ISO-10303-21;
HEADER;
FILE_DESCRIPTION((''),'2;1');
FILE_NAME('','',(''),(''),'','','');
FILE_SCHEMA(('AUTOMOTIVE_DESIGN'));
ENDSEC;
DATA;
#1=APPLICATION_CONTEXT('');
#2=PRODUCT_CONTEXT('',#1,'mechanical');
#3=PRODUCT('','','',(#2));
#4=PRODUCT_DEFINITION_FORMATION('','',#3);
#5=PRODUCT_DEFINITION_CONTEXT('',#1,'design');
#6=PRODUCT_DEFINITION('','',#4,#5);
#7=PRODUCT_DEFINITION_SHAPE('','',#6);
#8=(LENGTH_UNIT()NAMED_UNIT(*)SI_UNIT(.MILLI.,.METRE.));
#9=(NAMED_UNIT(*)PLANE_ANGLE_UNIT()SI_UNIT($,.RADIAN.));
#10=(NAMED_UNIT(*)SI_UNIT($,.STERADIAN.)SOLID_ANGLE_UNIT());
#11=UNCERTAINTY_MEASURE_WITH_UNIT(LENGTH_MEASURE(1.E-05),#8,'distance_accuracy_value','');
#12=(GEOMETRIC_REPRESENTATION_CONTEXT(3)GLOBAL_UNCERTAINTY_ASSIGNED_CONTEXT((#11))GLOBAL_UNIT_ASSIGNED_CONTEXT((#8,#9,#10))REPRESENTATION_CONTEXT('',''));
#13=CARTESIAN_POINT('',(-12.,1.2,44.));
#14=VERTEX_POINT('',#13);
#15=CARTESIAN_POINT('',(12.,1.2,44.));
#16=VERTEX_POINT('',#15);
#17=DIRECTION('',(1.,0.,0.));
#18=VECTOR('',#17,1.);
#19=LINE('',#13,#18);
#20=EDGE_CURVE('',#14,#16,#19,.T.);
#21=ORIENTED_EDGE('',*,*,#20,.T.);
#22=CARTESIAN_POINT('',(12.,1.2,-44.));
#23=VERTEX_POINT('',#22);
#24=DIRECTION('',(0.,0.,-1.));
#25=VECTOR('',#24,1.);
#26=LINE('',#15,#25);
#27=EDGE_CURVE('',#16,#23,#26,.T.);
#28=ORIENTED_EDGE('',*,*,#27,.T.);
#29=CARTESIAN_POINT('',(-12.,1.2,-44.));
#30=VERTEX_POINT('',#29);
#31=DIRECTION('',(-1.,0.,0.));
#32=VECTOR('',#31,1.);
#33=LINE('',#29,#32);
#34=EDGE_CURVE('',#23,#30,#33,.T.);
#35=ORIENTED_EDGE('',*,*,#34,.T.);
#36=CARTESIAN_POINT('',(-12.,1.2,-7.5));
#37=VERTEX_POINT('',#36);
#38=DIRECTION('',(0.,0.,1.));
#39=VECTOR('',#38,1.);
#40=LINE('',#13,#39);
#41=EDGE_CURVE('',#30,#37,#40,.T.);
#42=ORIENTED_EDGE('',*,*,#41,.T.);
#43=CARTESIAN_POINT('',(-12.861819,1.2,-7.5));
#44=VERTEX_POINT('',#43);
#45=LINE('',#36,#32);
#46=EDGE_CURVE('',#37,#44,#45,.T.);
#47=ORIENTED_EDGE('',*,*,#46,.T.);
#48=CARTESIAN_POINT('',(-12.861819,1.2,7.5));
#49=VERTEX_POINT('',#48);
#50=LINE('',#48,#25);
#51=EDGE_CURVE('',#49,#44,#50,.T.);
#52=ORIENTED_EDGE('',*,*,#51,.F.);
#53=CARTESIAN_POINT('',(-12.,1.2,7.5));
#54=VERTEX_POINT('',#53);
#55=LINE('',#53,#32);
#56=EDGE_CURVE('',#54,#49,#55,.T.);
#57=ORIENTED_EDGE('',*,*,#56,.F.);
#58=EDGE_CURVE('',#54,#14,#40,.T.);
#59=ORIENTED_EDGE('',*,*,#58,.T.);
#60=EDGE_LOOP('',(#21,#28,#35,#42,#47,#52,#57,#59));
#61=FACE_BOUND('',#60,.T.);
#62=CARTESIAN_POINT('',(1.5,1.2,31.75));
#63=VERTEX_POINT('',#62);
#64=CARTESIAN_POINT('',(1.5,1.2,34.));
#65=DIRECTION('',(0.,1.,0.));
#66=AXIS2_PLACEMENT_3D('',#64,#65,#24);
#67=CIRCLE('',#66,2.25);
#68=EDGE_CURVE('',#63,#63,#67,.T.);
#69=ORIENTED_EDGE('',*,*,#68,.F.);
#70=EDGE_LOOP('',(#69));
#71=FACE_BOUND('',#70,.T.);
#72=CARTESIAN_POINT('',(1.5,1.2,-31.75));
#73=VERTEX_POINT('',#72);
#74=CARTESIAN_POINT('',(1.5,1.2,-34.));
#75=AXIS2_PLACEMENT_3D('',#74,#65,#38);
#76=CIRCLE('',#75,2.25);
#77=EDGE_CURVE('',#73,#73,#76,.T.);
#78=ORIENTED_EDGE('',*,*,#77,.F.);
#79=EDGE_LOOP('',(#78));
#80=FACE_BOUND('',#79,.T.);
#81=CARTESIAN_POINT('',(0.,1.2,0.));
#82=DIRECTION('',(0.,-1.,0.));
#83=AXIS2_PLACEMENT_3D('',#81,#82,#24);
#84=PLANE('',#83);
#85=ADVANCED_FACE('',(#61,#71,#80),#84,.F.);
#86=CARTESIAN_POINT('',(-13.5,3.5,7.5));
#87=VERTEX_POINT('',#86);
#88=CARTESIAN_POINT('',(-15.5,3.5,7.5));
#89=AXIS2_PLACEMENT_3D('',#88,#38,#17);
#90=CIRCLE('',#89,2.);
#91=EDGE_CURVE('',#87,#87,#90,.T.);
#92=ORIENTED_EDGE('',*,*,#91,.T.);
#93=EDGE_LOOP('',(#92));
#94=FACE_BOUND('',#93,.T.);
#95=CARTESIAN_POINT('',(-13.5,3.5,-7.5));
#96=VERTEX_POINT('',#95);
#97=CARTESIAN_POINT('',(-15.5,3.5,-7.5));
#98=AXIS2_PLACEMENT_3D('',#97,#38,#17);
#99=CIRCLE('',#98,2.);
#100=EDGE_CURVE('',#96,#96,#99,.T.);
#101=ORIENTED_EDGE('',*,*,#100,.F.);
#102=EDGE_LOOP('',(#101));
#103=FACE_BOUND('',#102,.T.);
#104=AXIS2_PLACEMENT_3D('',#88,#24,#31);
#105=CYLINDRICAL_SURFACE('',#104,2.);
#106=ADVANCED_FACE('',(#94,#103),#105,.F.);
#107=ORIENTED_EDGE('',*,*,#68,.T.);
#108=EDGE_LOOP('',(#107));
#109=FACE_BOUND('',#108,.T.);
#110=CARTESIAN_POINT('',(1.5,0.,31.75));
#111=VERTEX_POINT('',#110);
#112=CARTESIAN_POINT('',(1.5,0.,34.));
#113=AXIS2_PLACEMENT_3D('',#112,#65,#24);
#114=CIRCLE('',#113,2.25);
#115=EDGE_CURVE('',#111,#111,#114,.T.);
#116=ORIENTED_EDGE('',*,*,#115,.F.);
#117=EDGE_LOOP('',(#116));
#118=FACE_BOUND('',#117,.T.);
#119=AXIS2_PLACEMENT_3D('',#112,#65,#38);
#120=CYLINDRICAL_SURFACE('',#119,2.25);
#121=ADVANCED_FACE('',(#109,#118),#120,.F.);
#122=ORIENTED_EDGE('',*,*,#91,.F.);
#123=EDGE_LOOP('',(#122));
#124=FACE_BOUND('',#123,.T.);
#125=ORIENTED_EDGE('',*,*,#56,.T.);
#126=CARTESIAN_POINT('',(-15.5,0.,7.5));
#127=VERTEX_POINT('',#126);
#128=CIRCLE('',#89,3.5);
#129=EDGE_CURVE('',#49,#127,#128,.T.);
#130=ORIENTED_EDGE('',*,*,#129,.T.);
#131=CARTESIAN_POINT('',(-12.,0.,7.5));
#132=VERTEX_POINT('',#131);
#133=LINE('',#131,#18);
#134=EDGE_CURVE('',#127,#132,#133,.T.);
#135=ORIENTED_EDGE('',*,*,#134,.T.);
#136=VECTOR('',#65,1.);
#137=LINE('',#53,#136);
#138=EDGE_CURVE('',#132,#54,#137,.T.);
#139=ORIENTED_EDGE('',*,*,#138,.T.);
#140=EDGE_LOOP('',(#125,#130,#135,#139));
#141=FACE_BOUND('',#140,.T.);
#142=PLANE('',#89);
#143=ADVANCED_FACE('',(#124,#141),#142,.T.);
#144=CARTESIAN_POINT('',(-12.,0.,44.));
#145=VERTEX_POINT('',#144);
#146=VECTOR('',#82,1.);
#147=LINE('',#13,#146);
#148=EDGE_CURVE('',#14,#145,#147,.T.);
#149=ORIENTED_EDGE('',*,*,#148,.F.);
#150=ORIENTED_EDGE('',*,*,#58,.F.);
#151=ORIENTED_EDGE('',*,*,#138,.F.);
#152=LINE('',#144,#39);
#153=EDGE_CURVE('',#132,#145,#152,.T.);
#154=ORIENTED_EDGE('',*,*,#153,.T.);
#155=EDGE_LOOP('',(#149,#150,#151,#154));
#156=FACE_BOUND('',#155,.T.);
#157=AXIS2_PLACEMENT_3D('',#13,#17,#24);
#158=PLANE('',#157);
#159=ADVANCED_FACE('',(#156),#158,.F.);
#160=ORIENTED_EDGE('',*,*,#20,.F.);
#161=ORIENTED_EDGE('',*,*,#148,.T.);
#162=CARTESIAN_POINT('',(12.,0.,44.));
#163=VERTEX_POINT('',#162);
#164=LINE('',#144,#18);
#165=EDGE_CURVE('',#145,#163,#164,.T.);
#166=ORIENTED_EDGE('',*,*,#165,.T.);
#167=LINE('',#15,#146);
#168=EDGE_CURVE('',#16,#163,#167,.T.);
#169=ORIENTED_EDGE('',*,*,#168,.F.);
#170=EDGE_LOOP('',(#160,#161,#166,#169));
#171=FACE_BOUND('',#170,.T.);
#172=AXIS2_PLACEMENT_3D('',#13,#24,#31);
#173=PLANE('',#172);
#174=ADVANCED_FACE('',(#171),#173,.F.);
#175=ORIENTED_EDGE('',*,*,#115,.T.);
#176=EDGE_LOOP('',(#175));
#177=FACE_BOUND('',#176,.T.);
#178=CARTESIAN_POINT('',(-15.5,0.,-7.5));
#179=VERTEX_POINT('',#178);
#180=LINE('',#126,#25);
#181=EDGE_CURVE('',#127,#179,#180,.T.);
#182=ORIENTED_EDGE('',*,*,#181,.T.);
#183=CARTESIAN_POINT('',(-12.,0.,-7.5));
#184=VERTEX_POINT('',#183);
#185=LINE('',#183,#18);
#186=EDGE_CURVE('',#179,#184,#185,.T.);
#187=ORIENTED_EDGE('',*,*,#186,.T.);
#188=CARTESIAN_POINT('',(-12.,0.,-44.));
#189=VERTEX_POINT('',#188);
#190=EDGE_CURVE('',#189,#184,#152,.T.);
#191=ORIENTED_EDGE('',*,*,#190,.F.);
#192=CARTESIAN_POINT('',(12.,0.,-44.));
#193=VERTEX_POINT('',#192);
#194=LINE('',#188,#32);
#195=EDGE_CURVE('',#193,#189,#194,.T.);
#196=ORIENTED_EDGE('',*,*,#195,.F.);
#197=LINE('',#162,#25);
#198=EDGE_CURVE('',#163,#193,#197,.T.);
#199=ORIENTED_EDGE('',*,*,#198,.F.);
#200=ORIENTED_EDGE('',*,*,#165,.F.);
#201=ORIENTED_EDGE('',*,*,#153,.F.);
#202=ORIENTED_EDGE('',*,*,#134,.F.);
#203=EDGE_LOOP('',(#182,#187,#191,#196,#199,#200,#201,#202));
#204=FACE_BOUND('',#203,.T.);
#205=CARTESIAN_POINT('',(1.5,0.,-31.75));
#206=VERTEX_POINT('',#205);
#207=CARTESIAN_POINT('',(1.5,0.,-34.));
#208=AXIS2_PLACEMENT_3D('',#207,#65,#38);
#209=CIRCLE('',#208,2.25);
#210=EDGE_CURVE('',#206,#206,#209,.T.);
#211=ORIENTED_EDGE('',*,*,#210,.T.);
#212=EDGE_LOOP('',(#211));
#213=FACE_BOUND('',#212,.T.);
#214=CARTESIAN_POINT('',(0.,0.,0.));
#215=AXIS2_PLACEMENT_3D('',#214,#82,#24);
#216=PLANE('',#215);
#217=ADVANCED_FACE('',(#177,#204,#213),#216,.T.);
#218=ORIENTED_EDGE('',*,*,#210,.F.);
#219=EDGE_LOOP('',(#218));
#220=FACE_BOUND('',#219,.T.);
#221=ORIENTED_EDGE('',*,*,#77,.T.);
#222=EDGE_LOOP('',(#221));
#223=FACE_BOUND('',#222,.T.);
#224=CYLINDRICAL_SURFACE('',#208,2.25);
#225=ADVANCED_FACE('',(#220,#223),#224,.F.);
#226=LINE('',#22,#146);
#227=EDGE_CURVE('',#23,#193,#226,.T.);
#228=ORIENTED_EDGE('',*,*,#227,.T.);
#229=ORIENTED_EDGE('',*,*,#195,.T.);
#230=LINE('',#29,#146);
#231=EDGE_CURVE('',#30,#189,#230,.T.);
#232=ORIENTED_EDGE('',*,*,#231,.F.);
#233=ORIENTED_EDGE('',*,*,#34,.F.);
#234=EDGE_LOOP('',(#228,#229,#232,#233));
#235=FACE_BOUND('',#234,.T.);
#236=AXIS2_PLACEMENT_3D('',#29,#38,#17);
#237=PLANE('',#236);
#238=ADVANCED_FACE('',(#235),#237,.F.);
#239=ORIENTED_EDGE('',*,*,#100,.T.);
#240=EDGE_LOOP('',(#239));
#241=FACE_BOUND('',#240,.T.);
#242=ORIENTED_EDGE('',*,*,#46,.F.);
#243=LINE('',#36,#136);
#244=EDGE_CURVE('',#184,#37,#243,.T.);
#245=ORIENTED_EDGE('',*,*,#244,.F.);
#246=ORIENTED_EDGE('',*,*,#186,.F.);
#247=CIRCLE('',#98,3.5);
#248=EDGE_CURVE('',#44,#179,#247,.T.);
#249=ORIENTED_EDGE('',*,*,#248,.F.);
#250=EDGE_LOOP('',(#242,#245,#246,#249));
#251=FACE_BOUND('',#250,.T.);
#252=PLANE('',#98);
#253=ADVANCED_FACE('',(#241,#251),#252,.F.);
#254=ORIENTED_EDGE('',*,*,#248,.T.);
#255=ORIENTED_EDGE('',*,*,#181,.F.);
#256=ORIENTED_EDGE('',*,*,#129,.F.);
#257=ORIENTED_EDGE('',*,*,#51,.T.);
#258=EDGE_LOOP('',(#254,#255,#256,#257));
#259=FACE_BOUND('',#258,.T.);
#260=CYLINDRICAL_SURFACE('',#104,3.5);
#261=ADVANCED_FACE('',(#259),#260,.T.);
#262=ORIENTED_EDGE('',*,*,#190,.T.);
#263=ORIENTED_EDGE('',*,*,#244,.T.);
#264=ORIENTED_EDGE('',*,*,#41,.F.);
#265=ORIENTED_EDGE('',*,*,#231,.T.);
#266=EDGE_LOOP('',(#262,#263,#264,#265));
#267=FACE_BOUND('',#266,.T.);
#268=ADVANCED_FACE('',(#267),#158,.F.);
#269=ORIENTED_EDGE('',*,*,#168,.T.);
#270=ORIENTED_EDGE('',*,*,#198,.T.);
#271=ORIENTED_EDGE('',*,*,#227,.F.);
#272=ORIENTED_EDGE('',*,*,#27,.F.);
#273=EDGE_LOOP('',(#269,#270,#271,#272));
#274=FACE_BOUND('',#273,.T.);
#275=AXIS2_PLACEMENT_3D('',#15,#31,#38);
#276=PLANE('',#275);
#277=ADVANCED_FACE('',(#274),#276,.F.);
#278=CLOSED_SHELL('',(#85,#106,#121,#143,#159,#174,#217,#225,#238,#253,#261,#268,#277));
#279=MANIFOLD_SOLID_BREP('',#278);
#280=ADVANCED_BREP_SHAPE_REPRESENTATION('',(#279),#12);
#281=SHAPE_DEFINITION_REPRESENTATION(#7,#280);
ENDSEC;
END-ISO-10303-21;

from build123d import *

# Parameters (mm, degrees)
SKETCH1_W           = 24
SKETCH1_H           = 88
BOSS_EXTRUDE1_DEPTH = 1.2
SKETCH2_R           = 2
BOSS_EXTRUDE2_DEPTH = 7.5
SKETCH4_R           = 2.25
CUT_EXTRUDE2_DEPTH  = 49.276702456


with BuildPart() as part:
    # Sketch1 → Boss-Extrude1 (new body)
    with BuildSketch(Plane(origin=(0, 0, 0), x_dir=(1, 0, 0), z_dir=(0, 1, 0))):
        Rectangle(SKETCH1_W, SKETCH1_H)
    extrude(amount=BOSS_EXTRUDE1_DEPTH)

    # Sketch2 → Boss-Extrude2 (add, symmetric)
    with BuildSketch(Plane.XY):
        with BuildLine():
            Line((-12, 0), (-15.5, 0))
            ThreePointArc((-15.5, 0), (-16.949137675, 6.685906464), (-12.861818808, 1.2))
            Line((-12.861818808, 1.2), (-12, 1.2))
            Line((-12, 1.2), (-12, 0))
        make_face()
        with Locations((-15.5, 3.5)):
            Circle(SKETCH2_R, mode=Mode.SUBTRACT)
    extrude(amount=BOSS_EXTRUDE2_DEPTH, both=True)

    # Sketch4 → Cut-Extrude2 (cut, through all)
    with BuildSketch(Plane(origin=(0, 1.2, 0), x_dir=(1, 0, 0), z_dir=(0, 1, 0))):
        with Locations(Location((1.5, 34, 0), (0, 0, 270))):
            Circle(SKETCH4_R)
        with Locations(Location((1.5, -34, 0), (0, 0, 90))):
            Circle(SKETCH4_R)
    extrude(amount=-CUT_EXTRUDE2_DEPTH, mode=Mode.SUBTRACT)


solid = part.part
